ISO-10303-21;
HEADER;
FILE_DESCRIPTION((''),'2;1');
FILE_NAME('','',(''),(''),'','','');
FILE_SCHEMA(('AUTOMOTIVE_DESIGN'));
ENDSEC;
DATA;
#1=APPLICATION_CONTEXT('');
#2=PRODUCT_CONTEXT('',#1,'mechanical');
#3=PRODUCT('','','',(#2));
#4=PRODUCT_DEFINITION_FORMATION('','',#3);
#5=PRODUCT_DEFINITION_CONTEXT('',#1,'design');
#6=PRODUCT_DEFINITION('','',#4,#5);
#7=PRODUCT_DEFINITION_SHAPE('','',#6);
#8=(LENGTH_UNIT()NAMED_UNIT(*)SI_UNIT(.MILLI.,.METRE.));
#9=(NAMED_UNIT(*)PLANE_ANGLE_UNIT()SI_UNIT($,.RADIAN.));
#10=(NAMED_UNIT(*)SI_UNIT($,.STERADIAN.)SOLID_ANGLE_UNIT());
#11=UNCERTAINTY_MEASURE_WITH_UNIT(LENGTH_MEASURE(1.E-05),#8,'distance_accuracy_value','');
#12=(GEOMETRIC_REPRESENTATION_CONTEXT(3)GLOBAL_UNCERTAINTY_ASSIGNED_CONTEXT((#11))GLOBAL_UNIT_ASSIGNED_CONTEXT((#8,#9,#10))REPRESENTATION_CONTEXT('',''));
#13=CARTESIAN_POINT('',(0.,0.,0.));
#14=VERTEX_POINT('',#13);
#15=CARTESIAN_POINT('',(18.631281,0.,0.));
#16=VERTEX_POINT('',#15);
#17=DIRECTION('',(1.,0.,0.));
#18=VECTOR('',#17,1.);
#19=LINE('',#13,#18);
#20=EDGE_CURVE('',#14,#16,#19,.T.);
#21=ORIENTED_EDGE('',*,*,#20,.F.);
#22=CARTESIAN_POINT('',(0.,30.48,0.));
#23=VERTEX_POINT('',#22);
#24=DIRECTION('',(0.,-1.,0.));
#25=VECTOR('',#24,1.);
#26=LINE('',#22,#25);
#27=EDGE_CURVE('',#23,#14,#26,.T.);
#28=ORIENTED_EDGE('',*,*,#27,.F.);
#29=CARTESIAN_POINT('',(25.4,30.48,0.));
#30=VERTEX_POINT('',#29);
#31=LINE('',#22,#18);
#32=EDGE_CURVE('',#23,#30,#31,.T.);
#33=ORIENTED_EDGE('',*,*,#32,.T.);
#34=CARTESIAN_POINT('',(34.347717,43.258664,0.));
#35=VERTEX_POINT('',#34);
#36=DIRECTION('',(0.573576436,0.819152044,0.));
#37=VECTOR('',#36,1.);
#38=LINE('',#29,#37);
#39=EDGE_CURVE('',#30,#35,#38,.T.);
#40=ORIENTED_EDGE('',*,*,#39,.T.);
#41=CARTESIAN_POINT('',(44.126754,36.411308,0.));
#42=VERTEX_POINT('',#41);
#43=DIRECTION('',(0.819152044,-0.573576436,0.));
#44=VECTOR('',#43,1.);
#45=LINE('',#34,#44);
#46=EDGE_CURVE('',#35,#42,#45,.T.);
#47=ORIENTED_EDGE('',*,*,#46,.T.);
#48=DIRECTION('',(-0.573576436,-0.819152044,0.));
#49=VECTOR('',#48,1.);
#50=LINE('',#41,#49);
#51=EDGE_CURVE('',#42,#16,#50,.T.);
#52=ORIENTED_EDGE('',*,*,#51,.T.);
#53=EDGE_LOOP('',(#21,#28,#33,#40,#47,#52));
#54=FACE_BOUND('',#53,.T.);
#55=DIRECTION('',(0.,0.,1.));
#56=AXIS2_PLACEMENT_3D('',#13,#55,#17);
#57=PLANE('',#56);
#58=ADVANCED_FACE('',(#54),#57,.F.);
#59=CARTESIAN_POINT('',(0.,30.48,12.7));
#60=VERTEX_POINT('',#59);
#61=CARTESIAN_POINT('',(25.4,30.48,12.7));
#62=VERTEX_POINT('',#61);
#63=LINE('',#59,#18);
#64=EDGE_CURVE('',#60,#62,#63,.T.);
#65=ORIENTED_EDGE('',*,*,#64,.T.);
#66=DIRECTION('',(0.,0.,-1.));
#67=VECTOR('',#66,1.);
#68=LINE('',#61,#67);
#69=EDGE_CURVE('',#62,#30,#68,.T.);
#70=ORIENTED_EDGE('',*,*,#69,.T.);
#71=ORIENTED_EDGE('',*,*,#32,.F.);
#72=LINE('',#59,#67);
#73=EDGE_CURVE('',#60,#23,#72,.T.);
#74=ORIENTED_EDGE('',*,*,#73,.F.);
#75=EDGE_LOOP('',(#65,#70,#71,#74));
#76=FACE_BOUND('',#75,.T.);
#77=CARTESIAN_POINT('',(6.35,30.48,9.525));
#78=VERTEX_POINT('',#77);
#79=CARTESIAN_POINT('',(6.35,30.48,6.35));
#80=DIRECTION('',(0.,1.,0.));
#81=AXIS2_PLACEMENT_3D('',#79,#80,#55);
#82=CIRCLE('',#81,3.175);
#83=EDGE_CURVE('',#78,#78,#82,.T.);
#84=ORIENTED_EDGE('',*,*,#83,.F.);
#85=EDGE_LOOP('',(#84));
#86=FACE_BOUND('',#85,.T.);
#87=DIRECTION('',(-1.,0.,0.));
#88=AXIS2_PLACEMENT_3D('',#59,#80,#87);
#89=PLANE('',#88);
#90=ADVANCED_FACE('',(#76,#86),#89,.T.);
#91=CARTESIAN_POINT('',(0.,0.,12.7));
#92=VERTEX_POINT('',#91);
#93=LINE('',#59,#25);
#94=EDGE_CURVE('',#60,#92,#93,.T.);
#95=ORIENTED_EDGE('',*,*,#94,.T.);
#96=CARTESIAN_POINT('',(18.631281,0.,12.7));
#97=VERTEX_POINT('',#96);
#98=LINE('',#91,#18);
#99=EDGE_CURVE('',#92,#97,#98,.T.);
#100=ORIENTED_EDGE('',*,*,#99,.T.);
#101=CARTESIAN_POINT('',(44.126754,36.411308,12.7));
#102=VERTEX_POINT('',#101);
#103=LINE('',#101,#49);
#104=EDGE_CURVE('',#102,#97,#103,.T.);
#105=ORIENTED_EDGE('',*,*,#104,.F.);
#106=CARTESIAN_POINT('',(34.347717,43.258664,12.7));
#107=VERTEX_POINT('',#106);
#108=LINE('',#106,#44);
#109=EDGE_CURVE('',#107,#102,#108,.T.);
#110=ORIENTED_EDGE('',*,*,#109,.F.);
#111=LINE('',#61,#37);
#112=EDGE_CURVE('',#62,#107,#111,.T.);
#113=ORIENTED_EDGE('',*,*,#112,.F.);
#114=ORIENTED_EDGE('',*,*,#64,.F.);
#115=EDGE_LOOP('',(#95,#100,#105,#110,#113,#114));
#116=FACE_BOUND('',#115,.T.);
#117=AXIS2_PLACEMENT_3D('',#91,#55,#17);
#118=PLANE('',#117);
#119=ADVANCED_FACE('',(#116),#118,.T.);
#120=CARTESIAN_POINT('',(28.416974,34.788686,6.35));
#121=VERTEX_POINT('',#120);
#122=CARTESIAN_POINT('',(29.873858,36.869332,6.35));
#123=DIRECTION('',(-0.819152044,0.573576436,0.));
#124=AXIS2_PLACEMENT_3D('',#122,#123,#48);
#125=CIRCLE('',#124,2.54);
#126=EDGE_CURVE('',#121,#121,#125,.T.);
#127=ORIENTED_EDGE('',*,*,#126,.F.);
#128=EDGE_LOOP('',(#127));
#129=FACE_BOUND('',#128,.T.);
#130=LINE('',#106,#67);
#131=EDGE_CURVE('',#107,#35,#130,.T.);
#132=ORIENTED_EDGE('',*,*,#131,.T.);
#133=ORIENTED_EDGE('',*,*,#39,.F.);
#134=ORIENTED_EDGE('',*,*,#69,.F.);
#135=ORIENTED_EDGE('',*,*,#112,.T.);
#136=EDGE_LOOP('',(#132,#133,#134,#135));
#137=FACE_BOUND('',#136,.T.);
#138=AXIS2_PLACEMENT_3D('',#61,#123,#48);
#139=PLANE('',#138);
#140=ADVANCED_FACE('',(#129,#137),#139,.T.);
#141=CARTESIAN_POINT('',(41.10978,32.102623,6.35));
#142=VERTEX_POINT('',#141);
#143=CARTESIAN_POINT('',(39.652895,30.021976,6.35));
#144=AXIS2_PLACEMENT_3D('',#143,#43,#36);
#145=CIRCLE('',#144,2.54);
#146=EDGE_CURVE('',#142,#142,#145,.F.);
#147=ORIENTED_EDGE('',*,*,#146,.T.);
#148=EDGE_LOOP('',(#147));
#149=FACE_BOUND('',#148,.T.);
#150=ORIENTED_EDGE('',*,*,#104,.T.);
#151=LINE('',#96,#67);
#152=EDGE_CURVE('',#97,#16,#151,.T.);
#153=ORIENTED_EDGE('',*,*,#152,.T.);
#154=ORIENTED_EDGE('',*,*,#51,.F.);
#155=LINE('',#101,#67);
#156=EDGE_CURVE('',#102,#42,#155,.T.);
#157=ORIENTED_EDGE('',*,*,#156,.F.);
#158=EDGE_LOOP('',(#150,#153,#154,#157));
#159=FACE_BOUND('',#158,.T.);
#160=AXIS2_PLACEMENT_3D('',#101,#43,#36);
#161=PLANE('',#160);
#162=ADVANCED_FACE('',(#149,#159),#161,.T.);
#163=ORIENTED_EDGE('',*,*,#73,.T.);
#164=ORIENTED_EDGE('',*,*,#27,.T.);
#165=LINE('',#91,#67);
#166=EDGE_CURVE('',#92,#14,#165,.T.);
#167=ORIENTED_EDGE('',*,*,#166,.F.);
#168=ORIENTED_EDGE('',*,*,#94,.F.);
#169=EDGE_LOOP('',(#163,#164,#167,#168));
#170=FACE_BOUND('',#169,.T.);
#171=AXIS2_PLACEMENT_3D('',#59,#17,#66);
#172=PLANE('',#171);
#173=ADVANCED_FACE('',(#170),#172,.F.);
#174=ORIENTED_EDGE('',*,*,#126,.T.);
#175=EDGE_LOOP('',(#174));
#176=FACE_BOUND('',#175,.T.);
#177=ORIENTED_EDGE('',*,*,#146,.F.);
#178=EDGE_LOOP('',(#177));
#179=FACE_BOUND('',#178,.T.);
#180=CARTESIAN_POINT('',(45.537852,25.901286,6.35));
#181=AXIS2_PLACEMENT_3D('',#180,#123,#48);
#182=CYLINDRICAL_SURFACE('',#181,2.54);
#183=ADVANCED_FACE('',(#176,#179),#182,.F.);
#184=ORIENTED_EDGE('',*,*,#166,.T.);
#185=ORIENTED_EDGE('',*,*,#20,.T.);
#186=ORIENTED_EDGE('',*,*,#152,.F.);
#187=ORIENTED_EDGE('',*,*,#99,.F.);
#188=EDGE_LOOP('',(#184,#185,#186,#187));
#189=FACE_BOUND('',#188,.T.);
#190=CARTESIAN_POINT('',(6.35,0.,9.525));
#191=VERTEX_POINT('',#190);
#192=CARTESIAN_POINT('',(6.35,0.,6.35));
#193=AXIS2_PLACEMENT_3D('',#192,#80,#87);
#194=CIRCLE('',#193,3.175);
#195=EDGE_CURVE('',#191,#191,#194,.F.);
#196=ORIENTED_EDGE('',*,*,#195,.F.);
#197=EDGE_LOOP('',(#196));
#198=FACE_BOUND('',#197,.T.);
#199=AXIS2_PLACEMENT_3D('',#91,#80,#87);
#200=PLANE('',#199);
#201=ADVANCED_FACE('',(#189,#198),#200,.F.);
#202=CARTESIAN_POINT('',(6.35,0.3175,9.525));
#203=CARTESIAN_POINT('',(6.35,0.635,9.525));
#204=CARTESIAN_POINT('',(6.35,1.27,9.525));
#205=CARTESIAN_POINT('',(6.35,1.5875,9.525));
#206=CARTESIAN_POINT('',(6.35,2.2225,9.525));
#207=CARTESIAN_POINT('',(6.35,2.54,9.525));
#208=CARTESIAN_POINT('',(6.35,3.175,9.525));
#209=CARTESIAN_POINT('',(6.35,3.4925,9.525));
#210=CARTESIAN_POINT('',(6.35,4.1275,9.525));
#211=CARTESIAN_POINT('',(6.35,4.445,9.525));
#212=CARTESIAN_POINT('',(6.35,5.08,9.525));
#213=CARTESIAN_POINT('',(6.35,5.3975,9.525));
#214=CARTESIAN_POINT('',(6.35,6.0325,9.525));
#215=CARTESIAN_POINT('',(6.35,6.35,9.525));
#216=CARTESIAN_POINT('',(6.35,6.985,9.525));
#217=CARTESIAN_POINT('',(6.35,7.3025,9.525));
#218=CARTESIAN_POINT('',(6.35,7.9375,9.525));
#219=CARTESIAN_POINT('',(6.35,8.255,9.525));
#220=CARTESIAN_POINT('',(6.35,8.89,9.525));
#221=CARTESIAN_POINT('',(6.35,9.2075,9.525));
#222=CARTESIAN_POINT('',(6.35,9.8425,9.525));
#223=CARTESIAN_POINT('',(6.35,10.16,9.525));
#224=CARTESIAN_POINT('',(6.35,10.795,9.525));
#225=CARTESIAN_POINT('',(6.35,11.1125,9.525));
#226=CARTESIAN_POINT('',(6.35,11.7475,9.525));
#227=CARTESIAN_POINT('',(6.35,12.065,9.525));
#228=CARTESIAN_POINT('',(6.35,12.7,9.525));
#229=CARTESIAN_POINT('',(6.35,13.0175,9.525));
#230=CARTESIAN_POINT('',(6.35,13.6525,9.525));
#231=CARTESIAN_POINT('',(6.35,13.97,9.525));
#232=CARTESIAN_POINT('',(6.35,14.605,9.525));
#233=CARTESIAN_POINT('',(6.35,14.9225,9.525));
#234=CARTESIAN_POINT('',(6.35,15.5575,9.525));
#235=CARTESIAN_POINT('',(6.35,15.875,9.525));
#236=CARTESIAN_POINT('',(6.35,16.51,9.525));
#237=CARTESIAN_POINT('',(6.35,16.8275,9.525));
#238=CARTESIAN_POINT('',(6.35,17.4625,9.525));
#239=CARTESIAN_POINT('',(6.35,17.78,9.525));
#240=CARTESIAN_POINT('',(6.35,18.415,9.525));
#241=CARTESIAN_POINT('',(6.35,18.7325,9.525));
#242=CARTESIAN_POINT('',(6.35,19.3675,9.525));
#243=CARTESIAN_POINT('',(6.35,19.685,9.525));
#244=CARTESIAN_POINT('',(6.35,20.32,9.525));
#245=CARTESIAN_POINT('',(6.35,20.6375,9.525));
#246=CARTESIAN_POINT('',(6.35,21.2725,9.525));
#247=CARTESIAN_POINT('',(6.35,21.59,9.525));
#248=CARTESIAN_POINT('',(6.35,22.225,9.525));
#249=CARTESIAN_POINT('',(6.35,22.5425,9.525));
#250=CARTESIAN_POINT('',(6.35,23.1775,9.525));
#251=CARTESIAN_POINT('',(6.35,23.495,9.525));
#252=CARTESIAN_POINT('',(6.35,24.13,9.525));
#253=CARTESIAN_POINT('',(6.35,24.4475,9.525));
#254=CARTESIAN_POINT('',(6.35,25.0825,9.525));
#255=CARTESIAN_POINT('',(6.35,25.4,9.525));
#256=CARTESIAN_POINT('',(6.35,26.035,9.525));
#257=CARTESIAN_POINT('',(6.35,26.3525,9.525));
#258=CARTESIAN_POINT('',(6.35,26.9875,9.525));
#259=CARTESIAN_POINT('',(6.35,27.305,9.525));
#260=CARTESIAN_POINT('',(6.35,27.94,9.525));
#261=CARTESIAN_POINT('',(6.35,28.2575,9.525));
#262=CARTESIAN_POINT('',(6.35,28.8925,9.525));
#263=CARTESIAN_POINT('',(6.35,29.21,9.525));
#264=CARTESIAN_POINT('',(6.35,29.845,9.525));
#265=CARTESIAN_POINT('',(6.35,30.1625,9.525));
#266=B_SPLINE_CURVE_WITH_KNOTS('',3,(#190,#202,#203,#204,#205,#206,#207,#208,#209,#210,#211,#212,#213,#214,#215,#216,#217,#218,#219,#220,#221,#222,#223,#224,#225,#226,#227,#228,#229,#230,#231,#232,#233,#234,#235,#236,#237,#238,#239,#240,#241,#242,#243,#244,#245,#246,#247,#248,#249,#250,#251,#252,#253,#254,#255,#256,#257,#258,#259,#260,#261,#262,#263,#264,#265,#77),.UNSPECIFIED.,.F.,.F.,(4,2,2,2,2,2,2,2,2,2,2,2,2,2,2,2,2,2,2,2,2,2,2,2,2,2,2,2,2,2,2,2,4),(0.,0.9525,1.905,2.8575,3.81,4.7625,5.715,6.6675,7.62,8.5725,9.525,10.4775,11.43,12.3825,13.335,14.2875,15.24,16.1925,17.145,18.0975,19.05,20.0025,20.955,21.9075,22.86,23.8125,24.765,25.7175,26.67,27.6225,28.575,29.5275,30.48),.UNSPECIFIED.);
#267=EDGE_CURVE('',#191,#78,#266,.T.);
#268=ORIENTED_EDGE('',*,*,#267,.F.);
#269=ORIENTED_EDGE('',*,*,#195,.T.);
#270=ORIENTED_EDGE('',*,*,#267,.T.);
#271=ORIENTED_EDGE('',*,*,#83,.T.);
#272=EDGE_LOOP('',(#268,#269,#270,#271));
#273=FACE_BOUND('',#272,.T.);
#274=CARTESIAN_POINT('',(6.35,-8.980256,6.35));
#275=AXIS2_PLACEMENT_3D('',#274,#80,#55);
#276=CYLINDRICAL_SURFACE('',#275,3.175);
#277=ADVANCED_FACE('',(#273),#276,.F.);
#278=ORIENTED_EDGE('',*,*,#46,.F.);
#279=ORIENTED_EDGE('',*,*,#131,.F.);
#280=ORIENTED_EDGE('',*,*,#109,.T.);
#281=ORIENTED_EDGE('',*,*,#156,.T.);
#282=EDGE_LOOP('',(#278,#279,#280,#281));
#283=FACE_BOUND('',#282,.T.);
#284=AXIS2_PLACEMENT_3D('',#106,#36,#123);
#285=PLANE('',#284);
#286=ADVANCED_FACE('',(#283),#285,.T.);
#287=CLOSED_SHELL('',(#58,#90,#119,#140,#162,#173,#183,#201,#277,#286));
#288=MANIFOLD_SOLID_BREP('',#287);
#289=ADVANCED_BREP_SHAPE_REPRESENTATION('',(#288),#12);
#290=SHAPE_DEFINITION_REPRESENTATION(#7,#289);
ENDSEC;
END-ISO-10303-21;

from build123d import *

# Parameters (mm, degrees)
BOSS_EXTRUDE2_DEPTH = 12.7
SKETCH2_R           = 2.54
CUT_EXTRUDE1_DEPTH  = 11.938
SKETCH3_R           = 3.175
CUT_EXTRUDE4_DEPTH  = 30.48


with BuildPart() as part:
    # Sketch1 → Boss-Extrude2 (new body)
    with BuildSketch(Plane.XY):
        Polygon((25.4, 30.48), (34.347716767, 43.258663866), (44.126753872, 36.411308369), (18.631281276, 0), (0, 0), (0, 30.48), align=None)
    extrude(amount=BOSS_EXTRUDE2_DEPTH)

    # Sketch2 → Cut-Extrude1 (cut)
    with BuildSketch(Plane(origin=(2.722740279, -1.906483268, 0), x_dir=(0, 0, 1), z_dir=(-0.8191520442889891, 0.5735764363510498, 0))):
        with Locations(Location((6.35, 47.336529856, 0), (0, 0, 270))):
            Circle(SKETCH2_R)
    extrude(amount=-CUT_EXTRUDE1_DEPTH, mode=Mode.SUBTRACT)

    # Sketch3 → Cut-Extrude4 (cut)
    with BuildSketch(Plane(origin=(0, 30.48, 0), x_dir=(1, 0, 0), z_dir=(0, 1, 0))):
        with Locations(Location((6.35, -6.35, 0), (0, 0, 270))):
            Circle(SKETCH3_R)
    extrude(amount=-CUT_EXTRUDE4_DEPTH, mode=Mode.SUBTRACT)


solid = part.part
